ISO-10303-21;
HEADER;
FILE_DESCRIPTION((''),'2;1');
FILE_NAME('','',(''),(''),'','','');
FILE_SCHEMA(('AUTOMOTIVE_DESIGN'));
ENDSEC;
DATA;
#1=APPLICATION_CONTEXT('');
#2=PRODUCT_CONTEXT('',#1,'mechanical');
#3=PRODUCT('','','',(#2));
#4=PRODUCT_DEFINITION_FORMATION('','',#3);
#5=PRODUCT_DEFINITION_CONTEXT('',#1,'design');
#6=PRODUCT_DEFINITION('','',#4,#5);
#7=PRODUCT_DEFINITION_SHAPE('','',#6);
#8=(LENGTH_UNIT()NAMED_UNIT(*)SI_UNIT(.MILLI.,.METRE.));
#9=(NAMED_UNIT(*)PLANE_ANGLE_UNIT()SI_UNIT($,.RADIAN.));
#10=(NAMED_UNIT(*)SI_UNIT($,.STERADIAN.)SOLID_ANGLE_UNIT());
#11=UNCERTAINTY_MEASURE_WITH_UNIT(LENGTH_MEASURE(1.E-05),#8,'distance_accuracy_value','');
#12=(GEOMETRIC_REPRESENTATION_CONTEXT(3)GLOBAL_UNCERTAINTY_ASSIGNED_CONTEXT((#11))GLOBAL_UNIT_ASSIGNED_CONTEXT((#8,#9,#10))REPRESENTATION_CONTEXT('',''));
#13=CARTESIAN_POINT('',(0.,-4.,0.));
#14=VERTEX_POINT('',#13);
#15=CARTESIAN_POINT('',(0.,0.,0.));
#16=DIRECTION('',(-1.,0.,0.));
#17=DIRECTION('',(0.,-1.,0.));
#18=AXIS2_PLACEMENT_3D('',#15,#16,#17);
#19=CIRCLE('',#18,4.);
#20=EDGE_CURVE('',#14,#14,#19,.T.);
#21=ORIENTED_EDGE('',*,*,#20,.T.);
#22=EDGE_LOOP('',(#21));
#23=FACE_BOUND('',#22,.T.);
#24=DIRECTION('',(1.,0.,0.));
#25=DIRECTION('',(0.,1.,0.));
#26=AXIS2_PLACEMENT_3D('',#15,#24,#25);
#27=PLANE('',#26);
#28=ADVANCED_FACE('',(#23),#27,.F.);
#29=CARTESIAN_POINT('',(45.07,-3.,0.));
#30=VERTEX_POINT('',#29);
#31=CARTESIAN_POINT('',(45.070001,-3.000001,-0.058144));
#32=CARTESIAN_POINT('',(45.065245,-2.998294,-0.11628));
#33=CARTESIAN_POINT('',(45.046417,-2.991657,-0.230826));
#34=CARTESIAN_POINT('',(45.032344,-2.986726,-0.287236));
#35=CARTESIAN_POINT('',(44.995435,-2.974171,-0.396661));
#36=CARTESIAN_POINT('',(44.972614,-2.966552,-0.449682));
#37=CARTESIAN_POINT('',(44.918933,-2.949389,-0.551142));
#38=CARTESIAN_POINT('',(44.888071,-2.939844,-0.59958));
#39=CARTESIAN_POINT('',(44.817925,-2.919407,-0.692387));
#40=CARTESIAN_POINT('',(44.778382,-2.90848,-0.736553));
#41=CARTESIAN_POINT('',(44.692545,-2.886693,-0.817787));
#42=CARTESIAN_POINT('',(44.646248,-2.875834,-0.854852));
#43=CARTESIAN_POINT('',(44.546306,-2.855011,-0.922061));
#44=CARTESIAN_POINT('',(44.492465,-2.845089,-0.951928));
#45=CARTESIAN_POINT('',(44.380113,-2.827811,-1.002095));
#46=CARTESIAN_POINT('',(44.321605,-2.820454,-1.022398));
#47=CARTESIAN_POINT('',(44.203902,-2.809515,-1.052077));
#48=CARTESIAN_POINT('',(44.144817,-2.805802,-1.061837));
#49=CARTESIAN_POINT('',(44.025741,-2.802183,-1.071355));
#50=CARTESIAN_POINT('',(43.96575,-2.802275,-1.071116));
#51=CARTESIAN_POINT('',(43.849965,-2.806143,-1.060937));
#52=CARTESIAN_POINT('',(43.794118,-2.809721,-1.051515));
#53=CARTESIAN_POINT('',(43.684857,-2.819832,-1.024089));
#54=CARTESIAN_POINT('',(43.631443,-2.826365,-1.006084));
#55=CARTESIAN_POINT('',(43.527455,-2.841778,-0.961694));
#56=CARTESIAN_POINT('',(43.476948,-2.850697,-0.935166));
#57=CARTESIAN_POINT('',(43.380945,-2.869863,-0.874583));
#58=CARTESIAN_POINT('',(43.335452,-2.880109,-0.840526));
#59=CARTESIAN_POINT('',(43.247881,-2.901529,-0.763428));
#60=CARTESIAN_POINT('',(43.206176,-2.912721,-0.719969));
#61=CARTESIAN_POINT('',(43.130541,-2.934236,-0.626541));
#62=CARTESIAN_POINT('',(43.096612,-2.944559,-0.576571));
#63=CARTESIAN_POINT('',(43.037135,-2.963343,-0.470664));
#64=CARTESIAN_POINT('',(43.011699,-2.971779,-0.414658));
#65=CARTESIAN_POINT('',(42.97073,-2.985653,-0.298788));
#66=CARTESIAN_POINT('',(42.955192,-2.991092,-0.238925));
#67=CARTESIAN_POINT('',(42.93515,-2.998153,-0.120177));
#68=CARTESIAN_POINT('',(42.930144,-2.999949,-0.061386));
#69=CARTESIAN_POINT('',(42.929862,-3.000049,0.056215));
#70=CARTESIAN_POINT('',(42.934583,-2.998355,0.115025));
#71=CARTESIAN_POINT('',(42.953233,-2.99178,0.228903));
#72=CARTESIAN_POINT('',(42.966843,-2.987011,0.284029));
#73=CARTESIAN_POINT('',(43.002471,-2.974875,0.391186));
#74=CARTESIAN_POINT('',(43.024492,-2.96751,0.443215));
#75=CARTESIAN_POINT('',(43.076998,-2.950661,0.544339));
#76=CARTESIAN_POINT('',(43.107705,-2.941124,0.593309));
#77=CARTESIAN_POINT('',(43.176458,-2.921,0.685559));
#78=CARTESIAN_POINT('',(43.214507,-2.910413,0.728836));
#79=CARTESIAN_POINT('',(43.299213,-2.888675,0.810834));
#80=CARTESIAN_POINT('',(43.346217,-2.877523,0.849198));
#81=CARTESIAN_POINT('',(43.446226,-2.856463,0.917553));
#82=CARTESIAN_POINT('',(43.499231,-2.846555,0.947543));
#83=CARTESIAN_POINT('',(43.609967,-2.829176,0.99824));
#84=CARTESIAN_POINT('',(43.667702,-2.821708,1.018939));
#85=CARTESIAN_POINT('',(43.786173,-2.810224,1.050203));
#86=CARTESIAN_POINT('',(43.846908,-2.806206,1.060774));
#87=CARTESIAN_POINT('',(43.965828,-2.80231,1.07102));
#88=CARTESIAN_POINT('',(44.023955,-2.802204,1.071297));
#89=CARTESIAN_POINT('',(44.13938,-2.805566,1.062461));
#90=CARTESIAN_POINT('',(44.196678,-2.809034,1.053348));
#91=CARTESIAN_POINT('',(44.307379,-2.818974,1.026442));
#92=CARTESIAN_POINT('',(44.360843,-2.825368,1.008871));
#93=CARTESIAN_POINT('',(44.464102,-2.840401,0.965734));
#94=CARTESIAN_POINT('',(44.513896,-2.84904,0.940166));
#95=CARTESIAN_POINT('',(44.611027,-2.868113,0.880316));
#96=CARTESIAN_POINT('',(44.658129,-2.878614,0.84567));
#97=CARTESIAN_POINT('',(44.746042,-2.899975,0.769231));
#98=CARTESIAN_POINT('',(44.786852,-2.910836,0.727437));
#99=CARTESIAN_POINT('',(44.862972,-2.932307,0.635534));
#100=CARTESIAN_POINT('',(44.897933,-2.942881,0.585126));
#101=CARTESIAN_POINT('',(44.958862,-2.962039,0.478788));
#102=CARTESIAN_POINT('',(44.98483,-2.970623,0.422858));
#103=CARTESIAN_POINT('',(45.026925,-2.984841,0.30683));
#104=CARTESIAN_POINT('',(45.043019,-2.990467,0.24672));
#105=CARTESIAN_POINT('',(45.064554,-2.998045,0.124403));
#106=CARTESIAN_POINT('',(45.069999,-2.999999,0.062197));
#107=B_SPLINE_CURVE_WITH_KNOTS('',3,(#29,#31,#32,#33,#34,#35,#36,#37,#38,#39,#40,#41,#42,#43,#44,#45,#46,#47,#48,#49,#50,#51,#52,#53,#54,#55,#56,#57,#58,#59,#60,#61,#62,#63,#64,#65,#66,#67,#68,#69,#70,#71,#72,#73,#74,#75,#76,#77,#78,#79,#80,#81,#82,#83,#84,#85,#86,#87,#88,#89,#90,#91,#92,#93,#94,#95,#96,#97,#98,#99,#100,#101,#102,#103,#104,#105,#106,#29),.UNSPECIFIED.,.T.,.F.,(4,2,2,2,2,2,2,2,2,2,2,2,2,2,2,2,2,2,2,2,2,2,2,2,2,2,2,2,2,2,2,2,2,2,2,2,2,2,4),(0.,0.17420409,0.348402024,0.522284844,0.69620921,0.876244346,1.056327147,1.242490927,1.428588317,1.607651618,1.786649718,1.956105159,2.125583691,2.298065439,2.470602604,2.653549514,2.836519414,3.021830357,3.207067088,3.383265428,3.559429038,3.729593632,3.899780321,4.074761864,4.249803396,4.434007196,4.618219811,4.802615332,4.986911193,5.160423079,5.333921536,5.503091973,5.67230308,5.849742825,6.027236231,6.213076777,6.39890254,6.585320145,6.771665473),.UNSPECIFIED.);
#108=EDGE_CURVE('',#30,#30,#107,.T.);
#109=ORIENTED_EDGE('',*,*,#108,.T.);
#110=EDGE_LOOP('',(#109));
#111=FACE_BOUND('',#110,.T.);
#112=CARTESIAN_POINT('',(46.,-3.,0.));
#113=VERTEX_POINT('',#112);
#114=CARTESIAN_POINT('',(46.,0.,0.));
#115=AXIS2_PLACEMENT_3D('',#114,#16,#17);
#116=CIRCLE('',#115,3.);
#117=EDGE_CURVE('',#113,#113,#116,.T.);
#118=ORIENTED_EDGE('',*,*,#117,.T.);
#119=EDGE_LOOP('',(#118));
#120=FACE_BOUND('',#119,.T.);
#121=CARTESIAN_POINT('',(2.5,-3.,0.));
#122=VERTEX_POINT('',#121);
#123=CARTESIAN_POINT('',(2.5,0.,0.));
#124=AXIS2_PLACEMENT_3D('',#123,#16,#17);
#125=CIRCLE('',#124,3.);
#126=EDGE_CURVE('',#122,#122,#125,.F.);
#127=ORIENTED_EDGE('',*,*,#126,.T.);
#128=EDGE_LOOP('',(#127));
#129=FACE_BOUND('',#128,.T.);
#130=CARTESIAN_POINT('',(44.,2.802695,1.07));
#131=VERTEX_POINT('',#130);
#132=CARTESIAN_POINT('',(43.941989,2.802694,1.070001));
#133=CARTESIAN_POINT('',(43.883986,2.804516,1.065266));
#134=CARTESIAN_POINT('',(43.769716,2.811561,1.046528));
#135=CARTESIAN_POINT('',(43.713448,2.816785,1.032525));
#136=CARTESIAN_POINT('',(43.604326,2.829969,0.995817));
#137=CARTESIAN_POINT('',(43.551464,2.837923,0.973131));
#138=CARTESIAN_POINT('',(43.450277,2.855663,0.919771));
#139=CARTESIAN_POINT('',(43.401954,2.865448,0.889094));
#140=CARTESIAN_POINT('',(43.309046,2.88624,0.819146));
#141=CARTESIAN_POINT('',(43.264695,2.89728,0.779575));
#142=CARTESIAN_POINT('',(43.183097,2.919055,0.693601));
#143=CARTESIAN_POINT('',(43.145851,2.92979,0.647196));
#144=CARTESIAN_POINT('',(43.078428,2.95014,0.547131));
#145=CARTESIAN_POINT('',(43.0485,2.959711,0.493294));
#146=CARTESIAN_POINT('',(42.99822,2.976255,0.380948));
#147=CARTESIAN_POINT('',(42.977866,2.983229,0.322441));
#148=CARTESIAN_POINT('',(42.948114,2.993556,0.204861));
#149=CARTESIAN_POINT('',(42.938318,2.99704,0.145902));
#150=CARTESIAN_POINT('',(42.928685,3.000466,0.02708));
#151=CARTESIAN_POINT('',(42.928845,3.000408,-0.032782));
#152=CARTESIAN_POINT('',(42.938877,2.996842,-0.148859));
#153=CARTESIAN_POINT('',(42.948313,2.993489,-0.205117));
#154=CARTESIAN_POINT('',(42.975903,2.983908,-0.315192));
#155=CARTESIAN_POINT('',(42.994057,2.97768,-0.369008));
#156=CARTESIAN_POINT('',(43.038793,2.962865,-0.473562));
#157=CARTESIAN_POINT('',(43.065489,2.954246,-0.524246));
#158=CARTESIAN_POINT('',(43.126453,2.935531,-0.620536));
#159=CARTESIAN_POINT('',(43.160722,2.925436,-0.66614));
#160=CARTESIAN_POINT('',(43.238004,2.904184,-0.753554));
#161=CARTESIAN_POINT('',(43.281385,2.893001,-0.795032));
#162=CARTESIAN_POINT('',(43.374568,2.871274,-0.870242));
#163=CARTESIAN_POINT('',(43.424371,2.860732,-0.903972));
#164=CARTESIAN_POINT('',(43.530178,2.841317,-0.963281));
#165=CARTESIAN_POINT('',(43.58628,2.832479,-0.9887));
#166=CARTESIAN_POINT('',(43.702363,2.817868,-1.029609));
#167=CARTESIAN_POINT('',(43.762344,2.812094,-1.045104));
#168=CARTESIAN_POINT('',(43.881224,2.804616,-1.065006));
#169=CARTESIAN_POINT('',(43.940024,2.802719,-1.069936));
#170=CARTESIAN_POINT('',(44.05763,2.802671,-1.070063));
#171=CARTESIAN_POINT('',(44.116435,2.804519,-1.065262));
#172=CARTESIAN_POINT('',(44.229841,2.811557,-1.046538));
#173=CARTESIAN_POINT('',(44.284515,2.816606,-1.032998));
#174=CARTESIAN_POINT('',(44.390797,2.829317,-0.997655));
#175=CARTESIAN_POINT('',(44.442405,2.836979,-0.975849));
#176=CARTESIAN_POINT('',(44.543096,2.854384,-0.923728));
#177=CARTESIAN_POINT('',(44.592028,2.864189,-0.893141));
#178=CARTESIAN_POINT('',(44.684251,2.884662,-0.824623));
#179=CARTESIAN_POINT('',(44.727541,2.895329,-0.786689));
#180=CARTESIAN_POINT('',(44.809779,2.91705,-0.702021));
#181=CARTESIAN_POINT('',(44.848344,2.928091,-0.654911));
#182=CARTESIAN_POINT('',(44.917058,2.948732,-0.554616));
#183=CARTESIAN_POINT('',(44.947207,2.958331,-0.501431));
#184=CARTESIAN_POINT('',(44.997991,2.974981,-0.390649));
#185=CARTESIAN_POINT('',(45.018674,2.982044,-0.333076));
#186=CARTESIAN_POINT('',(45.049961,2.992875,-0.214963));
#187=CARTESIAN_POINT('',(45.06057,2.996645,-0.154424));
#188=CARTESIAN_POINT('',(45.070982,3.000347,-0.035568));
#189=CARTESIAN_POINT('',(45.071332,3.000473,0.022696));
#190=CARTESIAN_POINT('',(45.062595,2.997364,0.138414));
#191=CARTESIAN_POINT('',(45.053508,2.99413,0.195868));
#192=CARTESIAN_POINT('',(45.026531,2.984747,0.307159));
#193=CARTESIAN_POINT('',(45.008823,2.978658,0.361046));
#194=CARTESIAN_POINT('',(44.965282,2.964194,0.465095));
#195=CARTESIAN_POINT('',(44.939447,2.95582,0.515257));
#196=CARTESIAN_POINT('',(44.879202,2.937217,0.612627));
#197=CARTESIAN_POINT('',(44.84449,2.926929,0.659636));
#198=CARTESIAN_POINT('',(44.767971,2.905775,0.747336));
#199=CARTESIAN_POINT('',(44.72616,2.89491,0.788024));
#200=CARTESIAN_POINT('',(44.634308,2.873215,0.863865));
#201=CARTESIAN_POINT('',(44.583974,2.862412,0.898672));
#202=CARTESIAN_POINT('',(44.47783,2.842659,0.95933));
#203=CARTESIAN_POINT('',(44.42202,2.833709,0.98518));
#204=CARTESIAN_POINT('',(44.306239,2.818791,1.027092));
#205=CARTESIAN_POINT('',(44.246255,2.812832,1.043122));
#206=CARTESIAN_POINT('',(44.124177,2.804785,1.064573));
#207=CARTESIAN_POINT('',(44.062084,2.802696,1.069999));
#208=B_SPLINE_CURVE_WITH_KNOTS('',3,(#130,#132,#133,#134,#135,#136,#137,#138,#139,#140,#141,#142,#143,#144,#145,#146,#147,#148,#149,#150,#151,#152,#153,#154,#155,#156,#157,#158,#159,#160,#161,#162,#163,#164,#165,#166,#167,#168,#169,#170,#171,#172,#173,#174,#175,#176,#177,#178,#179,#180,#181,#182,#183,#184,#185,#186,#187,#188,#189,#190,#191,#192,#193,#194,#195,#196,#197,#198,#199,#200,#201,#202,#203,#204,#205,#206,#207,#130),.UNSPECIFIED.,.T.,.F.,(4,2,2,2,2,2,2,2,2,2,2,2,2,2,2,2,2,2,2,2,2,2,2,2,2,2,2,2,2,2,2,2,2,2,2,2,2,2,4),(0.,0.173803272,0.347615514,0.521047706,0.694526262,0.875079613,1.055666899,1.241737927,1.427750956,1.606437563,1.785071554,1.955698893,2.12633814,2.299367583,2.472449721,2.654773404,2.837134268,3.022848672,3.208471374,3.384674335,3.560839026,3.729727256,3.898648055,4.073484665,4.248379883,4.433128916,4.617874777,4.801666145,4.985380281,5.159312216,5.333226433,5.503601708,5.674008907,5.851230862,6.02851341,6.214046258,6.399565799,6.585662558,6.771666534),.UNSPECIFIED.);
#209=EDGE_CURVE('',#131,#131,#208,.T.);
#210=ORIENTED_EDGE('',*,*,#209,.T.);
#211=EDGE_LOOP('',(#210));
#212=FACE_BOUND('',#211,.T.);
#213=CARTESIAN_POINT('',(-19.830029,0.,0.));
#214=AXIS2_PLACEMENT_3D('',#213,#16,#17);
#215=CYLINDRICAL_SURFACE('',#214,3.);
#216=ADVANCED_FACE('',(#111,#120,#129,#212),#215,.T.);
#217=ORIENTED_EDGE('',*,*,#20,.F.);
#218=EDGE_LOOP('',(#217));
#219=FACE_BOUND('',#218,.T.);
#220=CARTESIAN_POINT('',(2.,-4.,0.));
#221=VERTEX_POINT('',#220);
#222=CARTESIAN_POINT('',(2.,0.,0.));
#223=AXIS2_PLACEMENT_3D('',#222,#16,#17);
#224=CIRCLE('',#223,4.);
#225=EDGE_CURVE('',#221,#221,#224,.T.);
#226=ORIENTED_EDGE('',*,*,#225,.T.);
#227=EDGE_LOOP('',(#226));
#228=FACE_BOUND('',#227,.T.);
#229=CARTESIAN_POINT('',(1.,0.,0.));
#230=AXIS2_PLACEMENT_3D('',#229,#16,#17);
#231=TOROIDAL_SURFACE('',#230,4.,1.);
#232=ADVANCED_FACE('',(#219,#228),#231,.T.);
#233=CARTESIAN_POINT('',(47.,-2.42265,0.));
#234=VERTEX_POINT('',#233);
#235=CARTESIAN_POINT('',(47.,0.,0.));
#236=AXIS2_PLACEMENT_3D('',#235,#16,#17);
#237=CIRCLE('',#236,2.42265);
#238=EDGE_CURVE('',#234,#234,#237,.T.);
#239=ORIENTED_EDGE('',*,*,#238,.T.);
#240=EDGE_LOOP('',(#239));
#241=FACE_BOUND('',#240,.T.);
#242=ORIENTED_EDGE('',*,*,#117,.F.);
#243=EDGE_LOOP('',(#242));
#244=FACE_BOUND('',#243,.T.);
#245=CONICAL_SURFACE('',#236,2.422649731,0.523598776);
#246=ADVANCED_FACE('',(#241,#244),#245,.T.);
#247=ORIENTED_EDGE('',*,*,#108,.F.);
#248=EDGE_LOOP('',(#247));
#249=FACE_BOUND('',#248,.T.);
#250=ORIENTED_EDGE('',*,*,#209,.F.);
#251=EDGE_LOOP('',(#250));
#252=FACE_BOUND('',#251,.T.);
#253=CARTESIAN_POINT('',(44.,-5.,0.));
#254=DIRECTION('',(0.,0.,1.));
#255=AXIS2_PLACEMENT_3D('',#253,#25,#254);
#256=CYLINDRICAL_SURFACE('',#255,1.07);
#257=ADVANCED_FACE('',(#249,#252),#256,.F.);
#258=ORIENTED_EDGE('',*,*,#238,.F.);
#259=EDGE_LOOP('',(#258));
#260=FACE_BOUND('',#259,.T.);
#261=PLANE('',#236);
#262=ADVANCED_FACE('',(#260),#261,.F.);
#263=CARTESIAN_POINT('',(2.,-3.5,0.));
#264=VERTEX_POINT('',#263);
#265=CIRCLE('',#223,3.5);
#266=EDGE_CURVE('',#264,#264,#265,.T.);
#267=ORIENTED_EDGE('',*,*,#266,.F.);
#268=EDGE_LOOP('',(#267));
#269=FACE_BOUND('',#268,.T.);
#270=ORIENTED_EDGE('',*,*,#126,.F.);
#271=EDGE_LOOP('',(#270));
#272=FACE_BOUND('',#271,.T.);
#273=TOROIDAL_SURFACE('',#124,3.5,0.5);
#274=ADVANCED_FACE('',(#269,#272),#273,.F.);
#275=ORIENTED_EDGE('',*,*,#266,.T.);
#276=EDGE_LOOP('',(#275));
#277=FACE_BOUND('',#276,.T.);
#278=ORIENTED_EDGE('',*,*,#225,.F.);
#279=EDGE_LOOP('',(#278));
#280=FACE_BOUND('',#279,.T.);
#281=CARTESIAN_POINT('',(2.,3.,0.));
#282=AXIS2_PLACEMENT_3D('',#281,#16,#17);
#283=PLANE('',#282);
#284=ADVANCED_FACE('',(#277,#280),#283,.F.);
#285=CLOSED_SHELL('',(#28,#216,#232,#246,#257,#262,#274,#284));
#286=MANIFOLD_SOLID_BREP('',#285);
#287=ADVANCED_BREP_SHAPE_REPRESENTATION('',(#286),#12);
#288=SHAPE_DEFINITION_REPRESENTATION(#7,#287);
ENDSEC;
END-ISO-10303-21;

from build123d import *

# Parameters (mm, degrees)
CHAMFER1_R      = 0.5
SKETCH2_R       = 1.07
HOLE_DEPTH      = 6
HOLE_DEPTH_BACK = 6.0000001


with BuildPart() as part:
    # Sketch1 → BaseBody (revolve)
    with BuildSketch(Plane.XY):
        with BuildLine():
            Line((47, 0), (0, 0))
            Line((0, 0), (0, 4))
            ThreePointArc((0, 4), (1, 5), (2, 4))
            Line((2, 4), (2, 3))
            Line((2, 3), (46, 3))
            Line((46, 3), (47, 2.422649731))
            Line((47, 2.422649731), (47, 0))
        make_face()
    revolve(axis=Axis((-19.830028721, 0, 0), (1, 0, 0)))

    # Chamfer1
    chamfer1_edges = [part.edges().sort_by_distance(p)[0] for p in [
        (2, -3, 0),
    ]]
    fillet(chamfer1_edges, radius=CHAMFER1_R)

    # Sketch2 → Hole (cut, two sides)
    with BuildSketch(Plane(origin=(0, 0, 0), x_dir=(1, 0, 0), z_dir=(0, 1, 0))) as hole_sk:
        with Locations((44, 0)):
            Circle(SKETCH2_R)
    extrude(amount=HOLE_DEPTH, mode=Mode.SUBTRACT)
    extrude(hole_sk.sketch, amount=-HOLE_DEPTH_BACK, mode=Mode.SUBTRACT)


solid = part.part
